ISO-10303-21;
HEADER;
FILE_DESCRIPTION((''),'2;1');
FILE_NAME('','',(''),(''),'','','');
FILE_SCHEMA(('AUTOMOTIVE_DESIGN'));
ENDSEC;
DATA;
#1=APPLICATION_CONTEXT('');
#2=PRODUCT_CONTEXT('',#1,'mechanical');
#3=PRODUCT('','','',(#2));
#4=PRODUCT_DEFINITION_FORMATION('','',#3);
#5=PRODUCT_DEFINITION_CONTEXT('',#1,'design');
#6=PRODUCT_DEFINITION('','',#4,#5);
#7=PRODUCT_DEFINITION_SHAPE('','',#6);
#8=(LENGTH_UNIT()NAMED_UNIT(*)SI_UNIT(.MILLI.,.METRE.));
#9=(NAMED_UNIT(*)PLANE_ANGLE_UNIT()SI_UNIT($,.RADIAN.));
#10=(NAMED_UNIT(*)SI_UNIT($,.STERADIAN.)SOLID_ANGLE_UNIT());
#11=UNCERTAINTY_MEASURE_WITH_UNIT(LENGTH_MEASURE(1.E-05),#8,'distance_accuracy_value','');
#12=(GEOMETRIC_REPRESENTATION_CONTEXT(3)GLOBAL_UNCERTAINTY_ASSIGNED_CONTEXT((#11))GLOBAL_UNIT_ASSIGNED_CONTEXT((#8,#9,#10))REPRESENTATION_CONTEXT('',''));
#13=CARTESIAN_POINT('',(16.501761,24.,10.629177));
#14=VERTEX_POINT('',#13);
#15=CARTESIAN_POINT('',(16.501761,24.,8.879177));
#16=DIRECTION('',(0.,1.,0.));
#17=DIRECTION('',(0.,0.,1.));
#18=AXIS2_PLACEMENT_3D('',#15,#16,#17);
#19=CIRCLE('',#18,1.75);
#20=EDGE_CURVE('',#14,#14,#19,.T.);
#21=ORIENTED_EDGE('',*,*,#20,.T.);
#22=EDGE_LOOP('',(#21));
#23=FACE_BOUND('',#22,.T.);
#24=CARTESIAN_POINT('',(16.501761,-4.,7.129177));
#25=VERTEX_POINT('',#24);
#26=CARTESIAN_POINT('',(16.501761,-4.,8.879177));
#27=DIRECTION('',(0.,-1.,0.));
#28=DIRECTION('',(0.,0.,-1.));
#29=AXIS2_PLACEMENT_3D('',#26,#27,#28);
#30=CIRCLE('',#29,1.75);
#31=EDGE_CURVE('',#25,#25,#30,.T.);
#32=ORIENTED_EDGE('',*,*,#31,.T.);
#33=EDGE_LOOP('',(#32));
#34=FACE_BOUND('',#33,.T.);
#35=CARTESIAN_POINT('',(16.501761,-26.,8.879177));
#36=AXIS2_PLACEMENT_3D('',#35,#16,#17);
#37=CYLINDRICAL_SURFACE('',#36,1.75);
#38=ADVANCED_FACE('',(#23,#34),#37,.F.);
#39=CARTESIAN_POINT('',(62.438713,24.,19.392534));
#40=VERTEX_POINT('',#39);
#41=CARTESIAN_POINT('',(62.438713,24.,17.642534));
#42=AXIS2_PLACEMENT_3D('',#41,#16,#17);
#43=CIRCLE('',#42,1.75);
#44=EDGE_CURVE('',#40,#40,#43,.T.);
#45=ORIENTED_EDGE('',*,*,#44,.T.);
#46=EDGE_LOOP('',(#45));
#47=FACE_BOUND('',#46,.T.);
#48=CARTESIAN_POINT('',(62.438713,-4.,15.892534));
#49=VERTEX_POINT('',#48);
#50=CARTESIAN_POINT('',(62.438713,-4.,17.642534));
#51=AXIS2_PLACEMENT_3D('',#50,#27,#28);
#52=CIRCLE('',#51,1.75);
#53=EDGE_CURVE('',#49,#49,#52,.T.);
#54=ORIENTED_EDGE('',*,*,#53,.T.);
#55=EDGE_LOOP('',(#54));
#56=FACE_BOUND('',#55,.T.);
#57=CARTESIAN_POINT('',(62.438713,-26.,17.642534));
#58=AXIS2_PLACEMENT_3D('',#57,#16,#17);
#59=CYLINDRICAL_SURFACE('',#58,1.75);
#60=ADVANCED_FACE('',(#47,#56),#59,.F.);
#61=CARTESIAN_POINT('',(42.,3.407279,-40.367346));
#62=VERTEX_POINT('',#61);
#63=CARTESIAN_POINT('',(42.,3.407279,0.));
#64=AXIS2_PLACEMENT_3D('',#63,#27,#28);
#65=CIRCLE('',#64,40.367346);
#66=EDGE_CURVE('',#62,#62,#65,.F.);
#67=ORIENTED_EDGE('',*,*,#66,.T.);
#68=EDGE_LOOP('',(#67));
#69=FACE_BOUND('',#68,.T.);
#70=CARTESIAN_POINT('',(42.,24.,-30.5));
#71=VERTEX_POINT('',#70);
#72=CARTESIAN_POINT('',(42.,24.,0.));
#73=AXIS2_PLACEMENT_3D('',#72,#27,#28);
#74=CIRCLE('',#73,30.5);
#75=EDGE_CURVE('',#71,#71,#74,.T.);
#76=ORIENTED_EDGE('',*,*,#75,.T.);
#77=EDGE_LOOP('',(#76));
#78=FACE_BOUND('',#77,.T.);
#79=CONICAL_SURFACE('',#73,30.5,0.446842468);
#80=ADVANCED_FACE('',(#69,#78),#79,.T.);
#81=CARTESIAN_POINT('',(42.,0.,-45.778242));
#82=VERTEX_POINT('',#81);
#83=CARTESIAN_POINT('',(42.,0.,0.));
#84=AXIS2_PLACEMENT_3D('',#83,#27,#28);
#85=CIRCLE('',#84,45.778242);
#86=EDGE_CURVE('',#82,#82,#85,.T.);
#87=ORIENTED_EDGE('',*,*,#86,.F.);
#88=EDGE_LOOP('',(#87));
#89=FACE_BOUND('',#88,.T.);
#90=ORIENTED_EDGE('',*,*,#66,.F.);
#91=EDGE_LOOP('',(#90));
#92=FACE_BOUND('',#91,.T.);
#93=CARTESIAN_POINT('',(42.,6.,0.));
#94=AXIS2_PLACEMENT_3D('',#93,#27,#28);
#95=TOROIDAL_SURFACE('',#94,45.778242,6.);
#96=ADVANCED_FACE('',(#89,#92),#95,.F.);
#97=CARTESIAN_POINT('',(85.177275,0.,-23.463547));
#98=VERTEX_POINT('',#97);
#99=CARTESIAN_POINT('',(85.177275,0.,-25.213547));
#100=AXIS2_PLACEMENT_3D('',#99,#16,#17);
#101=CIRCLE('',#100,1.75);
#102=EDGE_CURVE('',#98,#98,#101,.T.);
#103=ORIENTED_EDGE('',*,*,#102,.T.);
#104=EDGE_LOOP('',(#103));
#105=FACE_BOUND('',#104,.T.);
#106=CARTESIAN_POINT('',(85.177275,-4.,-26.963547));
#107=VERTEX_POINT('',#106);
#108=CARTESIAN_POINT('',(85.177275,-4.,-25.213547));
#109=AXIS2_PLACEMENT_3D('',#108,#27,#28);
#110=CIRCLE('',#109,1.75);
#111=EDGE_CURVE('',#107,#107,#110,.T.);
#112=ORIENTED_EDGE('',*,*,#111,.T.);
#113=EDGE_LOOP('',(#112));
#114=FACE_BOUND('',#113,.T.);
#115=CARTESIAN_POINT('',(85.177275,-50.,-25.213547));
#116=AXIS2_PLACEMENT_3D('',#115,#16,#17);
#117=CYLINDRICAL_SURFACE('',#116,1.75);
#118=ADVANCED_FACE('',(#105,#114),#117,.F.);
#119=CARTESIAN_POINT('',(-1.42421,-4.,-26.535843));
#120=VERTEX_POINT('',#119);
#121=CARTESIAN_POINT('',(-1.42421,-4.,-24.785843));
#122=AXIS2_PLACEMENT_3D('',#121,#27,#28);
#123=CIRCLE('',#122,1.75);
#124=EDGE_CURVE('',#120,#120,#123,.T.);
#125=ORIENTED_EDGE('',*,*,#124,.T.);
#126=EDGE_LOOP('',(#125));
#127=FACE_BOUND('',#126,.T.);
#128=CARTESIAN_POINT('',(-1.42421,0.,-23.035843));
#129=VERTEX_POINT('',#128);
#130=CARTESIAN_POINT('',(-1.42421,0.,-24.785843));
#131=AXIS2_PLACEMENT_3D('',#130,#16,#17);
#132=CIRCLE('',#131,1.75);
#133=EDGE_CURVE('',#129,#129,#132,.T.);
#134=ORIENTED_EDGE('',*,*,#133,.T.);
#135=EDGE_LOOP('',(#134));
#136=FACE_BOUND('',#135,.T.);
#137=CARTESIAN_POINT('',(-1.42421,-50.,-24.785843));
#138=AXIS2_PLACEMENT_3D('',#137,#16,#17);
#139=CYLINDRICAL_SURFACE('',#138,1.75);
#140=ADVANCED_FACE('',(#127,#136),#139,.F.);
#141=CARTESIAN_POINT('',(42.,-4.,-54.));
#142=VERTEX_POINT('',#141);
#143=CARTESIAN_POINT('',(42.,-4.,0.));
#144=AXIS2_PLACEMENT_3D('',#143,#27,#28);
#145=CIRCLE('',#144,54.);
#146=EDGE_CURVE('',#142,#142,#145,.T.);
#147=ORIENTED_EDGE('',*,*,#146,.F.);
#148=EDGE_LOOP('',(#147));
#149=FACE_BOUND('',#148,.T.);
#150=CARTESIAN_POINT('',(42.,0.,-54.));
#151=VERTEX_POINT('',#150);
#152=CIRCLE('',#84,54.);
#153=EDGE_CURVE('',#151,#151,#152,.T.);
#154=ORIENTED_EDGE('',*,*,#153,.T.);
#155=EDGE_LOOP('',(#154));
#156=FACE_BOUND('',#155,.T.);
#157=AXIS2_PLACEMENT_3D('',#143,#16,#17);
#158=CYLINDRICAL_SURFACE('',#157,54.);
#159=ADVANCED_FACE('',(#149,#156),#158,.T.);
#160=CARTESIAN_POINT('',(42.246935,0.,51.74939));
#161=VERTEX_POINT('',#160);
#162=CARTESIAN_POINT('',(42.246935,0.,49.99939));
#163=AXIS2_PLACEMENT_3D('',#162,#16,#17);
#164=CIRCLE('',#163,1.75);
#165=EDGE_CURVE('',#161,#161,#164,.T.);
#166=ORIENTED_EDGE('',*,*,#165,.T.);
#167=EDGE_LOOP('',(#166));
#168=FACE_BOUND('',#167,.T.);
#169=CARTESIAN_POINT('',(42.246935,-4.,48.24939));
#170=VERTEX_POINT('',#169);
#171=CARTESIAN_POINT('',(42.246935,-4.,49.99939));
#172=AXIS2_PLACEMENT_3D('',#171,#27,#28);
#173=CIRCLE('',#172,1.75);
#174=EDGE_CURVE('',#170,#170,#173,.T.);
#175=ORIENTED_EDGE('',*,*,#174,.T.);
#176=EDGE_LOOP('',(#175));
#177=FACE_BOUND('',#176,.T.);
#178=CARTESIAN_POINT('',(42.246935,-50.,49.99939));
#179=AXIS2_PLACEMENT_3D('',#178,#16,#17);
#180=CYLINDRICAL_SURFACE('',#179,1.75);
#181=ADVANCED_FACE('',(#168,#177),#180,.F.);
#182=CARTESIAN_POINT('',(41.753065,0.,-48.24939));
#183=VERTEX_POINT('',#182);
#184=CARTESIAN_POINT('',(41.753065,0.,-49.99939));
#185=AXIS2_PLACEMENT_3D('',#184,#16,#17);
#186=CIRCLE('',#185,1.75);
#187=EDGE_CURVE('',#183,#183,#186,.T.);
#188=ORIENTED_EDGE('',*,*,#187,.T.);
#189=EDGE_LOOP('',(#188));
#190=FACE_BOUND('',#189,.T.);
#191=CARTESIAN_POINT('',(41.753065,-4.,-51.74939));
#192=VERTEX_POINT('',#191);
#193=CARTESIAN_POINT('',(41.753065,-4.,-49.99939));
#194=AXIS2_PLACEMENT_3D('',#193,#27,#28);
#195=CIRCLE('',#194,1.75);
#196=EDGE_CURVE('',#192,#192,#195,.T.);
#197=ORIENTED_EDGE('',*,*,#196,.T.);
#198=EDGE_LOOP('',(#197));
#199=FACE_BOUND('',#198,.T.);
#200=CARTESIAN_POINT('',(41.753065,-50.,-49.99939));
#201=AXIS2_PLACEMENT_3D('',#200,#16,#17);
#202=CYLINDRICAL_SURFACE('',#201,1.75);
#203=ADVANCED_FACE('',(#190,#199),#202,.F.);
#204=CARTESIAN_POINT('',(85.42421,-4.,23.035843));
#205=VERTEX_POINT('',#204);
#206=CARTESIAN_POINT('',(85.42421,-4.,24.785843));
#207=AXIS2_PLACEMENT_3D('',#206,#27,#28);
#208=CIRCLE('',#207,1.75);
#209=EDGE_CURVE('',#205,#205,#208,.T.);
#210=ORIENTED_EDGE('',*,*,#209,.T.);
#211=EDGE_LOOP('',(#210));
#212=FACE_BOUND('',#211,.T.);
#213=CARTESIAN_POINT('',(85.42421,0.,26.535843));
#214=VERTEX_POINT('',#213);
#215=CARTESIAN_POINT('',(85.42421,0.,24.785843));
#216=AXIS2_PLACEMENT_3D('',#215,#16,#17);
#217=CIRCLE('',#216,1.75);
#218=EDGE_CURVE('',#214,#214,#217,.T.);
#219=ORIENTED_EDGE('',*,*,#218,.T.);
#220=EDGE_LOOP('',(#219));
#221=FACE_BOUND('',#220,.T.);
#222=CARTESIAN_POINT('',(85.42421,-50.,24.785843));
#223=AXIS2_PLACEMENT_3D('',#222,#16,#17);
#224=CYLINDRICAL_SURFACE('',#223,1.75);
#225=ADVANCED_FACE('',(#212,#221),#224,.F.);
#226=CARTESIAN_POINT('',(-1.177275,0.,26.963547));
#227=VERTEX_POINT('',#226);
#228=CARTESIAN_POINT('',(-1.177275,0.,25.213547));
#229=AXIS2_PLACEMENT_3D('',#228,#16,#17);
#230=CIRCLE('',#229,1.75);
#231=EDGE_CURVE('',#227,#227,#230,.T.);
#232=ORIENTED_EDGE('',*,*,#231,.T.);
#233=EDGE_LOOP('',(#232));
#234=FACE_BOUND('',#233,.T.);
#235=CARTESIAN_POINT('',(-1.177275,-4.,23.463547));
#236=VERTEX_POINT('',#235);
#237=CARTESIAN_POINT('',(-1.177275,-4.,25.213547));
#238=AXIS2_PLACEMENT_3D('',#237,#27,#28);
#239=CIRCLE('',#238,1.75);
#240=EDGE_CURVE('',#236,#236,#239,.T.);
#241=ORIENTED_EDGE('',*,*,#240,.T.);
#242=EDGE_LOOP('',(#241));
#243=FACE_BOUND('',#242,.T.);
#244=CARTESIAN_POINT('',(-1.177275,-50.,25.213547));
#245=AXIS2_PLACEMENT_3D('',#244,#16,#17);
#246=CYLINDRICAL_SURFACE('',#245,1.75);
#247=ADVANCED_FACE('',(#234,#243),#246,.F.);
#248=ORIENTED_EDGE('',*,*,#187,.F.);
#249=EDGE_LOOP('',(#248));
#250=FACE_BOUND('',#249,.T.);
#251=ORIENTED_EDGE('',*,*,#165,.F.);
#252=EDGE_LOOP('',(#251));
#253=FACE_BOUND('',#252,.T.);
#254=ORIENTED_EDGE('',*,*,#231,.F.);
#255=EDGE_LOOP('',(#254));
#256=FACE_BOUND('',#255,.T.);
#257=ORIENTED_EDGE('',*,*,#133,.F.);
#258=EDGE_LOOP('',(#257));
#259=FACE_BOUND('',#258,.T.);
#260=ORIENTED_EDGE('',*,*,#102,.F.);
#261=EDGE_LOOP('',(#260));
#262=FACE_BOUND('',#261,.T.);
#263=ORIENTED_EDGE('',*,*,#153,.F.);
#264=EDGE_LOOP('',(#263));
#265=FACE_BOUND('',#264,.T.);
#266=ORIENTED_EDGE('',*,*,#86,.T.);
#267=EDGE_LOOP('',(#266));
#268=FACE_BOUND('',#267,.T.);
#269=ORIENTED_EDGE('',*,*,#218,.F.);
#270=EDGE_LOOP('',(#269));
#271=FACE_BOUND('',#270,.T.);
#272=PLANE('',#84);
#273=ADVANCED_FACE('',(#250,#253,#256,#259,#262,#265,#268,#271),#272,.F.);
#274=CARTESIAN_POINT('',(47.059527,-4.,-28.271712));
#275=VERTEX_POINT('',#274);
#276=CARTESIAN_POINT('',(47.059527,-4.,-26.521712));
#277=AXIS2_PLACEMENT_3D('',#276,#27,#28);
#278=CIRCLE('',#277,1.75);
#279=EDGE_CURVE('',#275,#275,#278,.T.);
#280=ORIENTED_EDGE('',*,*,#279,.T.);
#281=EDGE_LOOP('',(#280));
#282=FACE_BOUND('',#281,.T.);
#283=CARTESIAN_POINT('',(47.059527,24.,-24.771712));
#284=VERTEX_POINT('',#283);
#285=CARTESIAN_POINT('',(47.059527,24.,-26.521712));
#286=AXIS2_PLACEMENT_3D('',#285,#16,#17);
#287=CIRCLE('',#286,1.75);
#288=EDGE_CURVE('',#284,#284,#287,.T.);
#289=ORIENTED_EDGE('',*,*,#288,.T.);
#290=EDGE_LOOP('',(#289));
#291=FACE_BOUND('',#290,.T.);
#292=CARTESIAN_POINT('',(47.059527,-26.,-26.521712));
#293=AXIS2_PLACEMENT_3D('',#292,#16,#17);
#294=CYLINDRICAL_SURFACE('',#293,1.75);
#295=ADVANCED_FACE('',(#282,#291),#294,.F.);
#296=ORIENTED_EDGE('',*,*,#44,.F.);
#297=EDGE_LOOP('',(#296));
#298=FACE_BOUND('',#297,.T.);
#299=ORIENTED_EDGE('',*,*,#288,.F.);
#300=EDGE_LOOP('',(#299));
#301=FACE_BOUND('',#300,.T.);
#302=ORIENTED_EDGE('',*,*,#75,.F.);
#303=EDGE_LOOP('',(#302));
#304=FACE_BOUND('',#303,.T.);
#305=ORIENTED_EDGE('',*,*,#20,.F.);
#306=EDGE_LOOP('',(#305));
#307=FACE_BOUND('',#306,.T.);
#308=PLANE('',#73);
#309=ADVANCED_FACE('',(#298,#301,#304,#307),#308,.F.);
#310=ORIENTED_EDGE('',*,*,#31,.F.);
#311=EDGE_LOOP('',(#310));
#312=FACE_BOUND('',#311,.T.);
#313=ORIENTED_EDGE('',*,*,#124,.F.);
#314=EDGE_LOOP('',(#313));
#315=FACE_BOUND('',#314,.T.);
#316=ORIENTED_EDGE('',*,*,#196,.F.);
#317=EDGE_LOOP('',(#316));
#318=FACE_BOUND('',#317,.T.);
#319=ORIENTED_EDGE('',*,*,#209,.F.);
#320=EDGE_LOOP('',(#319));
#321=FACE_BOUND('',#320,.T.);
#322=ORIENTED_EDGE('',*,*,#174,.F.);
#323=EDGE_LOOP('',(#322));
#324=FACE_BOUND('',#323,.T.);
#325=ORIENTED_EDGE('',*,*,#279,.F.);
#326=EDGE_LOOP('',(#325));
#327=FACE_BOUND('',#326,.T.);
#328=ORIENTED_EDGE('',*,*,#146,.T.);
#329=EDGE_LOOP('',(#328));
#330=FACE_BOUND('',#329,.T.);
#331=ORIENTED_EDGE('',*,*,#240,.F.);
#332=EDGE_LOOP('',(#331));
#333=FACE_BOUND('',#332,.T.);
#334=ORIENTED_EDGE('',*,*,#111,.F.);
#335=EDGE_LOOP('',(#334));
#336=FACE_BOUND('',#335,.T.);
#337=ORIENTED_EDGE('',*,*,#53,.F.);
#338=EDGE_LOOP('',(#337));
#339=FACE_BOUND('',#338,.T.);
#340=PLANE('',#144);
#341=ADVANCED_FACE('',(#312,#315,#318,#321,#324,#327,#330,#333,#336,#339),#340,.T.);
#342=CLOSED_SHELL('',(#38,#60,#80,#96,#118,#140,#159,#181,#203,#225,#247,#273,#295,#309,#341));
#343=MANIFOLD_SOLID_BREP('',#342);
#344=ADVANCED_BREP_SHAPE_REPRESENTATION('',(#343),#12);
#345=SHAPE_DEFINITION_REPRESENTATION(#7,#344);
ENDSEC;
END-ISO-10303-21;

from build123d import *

# Parameters (mm, degrees)
SKETCH4_R           = 54
BOSS_EXTRUDE1_DEPTH = 4
FILLET1_R           = 6
SKETCH9_R           = 1.75
CUT_EXTRUDE2_DEPTH  = 50
SKETCH7_R           = 1.75
CUT_EXTRUDE3_DEPTH  = 50


with BuildPart() as part:
    # Sketch2 → Revolve2 (revolve)
    with BuildSketch(Plane.XY, mode=Mode.PRIVATE) as revolve2_sk:
        Polygon((0, 0), (42, 0), (42, 24), (11.5, 24), align=None)
    revolve(revolve2_sk.sketch.rotate(Axis((42, 0, 0), (0, 1, 0)), 270), axis=Axis((42, 0, 0), (0, 1, 0)))

    # Sketch4 → Boss-Extrude1 (add)
    with BuildSketch(Plane.XZ):
        with Locations(Location((42, 0, 0), (0, 0, 270))):
            Circle(SKETCH4_R)
    extrude(amount=BOSS_EXTRUDE1_DEPTH)

    # Fillet1
    fillet1_edges = [part.edges().sort_by_distance(p)[0] for p in [
        (42, 0, 42),
    ]]
    fillet(fillet1_edges, radius=FILLET1_R)

    # Sketch9 → Cut-Extrude2 (cut)
    with BuildSketch(Plane(origin=(0, 24, 0), x_dir=(1, 0, 0), z_dir=(0, 1, 0))):
        with Locations(Location((47.059526539, 26.521711694, 0), (0, 0, 270))):
            Circle(SKETCH9_R)
        with Locations(Location((62.43871281, -17.642534361, 0), (0, 0, 270))):
            Circle(SKETCH9_R)
        with Locations(Location((16.501760651, -8.879177334, 0), (0, 0, 270))):
            Circle(SKETCH9_R)
    extrude(amount=-CUT_EXTRUDE2_DEPTH, mode=Mode.SUBTRACT)

    # Sketch7 → Cut-Extrude3 (cut)
    with BuildSketch(Plane(origin=(0, 0, 0), x_dir=(1, 0, 0), z_dir=(0, 1, 0))):
        with Locations(Location((42.246934907, -49.999390228, 0), (0, 0, 270))):
            Circle(SKETCH7_R)
        with Locations(Location((-1.177274657, -25.213547017, 0), (0, 0, 270))):
            Circle(SKETCH7_R)
        with Locations(Location((-1.424209565, 24.785843211, 0), (0, 0, 270))):
            Circle(SKETCH7_R)
        with Locations(Location((41.753065093, 49.999390228, 0), (0, 0, 270))):
            Circle(SKETCH7_R)
        with Locations(Location((85.177274657, 25.213547017, 0), (0, 0, 270))):
            Circle(SKETCH7_R)
        with Locations(Location((85.424209565, -24.785843211, 0), (0, 0, 270))):
            Circle(SKETCH7_R)
    extrude(amount=-CUT_EXTRUDE3_DEPTH, mode=Mode.SUBTRACT)


solid = part.part
